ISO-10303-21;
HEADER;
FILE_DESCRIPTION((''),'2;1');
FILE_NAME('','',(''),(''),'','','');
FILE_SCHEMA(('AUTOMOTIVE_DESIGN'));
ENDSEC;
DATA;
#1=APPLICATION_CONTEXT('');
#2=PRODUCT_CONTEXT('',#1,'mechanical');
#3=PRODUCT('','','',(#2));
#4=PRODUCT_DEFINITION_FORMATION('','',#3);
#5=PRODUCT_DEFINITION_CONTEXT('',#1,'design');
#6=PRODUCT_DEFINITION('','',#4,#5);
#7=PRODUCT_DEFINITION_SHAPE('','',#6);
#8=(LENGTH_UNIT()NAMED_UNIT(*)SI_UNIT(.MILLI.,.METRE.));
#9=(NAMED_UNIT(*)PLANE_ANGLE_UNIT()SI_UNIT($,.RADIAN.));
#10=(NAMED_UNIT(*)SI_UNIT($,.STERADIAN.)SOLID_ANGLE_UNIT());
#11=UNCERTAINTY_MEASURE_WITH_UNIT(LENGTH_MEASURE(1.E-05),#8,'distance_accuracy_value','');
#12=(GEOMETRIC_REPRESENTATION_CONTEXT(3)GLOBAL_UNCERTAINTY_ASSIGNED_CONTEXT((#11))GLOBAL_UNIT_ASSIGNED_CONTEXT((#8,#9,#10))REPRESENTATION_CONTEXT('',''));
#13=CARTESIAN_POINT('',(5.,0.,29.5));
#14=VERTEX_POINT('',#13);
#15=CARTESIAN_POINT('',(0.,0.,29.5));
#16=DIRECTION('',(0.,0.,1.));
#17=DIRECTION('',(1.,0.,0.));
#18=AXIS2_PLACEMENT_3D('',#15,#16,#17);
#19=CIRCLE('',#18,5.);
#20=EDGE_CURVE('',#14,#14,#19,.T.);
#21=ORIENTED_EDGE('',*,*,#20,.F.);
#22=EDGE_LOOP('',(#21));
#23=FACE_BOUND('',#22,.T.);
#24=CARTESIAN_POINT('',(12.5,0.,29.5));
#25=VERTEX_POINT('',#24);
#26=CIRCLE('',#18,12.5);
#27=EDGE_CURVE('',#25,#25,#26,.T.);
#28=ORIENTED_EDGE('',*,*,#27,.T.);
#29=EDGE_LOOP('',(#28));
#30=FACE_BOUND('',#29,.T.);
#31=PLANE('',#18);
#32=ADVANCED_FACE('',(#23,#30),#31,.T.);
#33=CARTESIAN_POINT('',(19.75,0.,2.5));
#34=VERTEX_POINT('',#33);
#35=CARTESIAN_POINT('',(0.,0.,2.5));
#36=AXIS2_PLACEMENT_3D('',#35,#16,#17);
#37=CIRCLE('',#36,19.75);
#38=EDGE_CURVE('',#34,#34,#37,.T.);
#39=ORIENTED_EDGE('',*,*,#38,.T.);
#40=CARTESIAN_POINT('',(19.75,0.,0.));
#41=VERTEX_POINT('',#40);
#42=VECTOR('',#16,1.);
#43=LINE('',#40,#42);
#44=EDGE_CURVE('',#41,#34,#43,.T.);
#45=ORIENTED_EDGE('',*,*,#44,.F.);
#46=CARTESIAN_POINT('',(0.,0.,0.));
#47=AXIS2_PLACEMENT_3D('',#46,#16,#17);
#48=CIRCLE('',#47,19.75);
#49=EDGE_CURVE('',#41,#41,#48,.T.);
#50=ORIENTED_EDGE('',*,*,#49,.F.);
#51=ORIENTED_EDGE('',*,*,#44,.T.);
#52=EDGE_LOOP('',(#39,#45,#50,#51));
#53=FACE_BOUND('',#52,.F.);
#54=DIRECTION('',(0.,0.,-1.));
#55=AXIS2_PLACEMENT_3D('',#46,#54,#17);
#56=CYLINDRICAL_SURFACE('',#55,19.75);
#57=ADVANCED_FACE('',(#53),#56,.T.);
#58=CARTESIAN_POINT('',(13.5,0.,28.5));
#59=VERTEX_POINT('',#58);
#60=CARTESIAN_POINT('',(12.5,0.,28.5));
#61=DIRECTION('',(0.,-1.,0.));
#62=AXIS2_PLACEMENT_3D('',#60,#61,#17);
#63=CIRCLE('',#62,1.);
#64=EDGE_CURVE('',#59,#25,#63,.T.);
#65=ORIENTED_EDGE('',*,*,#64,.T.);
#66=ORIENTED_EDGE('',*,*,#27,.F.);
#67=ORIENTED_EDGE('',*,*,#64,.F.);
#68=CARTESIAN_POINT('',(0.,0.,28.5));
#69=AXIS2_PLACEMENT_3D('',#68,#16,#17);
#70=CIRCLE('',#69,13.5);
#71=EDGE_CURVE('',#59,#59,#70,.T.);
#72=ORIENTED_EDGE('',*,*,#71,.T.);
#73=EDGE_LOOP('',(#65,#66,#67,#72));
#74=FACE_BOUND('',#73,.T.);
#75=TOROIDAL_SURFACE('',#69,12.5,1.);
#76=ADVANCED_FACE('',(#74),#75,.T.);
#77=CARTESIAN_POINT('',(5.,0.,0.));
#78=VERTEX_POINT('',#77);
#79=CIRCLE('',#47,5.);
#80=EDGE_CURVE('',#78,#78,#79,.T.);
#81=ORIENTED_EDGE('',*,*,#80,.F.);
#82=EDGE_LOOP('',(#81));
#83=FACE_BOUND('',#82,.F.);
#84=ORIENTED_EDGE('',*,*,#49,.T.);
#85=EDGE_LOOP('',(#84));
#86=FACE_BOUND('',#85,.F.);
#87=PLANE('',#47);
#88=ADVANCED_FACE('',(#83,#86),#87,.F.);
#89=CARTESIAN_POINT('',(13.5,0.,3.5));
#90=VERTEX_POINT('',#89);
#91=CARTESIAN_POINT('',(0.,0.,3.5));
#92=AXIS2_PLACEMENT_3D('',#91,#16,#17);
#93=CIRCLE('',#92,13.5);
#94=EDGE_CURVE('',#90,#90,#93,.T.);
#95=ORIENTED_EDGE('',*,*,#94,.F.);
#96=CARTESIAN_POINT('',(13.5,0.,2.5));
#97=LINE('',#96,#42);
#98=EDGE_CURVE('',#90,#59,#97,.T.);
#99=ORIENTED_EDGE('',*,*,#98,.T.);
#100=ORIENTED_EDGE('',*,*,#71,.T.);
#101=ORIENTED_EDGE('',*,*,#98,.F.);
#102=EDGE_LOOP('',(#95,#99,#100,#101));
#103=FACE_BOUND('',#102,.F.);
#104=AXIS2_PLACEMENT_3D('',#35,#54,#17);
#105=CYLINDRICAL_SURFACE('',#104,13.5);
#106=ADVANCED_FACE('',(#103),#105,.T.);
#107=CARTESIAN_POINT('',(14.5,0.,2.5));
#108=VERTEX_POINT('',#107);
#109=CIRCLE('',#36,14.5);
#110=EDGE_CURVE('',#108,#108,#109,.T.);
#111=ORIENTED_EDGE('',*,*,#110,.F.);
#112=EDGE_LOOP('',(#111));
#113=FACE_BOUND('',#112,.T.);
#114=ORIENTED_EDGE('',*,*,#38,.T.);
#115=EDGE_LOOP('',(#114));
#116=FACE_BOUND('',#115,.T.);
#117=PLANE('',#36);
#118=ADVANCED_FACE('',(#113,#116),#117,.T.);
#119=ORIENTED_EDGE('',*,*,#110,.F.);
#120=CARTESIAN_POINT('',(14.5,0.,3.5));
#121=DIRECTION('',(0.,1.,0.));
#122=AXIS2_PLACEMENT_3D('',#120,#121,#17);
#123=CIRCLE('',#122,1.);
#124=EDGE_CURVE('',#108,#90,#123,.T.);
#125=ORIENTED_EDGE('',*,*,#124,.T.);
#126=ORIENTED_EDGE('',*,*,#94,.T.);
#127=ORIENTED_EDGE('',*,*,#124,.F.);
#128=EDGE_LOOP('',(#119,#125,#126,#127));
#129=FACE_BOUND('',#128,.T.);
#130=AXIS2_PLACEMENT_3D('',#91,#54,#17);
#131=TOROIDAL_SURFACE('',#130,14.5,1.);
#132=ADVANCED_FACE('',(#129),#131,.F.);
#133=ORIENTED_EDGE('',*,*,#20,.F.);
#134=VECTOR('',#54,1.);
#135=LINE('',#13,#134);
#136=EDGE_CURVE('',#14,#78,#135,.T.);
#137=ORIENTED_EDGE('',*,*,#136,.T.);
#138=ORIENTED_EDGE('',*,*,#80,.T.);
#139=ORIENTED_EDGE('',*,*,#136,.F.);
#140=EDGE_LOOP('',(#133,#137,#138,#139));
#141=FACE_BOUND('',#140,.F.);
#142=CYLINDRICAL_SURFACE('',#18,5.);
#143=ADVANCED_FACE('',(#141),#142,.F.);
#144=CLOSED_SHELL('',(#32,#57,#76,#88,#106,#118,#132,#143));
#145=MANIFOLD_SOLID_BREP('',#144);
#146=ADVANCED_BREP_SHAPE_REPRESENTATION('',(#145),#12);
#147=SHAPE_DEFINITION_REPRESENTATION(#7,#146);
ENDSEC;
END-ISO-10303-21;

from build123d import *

# Parameters (mm, degrees)
SKETCH_R     = 19.75
PAD_DEPTH    = 2.5
SKETCH001_R  = 13.5
PAD001_DEPTH = 27
SKETCH002_R  = 5
POCKET_DEPTH = 29.501
FILLET_R     = 1


with BuildPart() as part:
    # Sketch → Pad (new body)
    with BuildSketch(Plane.XY):
        Circle(SKETCH_R)
    extrude(amount=PAD_DEPTH)

    # Sketch001 (on Face3 of Pad) → Pad001 (join)
    with BuildSketch(Plane.XY.offset(2.5)):
        Circle(SKETCH001_R)
    extrude(amount=PAD001_DEPTH)

    # Sketch002 (on Face5 of Pad001) → Pocket (cut, through all)
    with BuildSketch(Plane.XY.offset(29.5)):
        Circle(SKETCH002_R)
    extrude(amount=-POCKET_DEPTH, mode=Mode.SUBTRACT)

    # Fillet
    fillet_edges = [part.edges().sort_by_distance(p)[0] for p in [
        (-13.5, 0, 29.5),
        (-13.5, 0, 2.5),
    ]]
    fillet(fillet_edges, radius=FILLET_R)


solid = part.part
